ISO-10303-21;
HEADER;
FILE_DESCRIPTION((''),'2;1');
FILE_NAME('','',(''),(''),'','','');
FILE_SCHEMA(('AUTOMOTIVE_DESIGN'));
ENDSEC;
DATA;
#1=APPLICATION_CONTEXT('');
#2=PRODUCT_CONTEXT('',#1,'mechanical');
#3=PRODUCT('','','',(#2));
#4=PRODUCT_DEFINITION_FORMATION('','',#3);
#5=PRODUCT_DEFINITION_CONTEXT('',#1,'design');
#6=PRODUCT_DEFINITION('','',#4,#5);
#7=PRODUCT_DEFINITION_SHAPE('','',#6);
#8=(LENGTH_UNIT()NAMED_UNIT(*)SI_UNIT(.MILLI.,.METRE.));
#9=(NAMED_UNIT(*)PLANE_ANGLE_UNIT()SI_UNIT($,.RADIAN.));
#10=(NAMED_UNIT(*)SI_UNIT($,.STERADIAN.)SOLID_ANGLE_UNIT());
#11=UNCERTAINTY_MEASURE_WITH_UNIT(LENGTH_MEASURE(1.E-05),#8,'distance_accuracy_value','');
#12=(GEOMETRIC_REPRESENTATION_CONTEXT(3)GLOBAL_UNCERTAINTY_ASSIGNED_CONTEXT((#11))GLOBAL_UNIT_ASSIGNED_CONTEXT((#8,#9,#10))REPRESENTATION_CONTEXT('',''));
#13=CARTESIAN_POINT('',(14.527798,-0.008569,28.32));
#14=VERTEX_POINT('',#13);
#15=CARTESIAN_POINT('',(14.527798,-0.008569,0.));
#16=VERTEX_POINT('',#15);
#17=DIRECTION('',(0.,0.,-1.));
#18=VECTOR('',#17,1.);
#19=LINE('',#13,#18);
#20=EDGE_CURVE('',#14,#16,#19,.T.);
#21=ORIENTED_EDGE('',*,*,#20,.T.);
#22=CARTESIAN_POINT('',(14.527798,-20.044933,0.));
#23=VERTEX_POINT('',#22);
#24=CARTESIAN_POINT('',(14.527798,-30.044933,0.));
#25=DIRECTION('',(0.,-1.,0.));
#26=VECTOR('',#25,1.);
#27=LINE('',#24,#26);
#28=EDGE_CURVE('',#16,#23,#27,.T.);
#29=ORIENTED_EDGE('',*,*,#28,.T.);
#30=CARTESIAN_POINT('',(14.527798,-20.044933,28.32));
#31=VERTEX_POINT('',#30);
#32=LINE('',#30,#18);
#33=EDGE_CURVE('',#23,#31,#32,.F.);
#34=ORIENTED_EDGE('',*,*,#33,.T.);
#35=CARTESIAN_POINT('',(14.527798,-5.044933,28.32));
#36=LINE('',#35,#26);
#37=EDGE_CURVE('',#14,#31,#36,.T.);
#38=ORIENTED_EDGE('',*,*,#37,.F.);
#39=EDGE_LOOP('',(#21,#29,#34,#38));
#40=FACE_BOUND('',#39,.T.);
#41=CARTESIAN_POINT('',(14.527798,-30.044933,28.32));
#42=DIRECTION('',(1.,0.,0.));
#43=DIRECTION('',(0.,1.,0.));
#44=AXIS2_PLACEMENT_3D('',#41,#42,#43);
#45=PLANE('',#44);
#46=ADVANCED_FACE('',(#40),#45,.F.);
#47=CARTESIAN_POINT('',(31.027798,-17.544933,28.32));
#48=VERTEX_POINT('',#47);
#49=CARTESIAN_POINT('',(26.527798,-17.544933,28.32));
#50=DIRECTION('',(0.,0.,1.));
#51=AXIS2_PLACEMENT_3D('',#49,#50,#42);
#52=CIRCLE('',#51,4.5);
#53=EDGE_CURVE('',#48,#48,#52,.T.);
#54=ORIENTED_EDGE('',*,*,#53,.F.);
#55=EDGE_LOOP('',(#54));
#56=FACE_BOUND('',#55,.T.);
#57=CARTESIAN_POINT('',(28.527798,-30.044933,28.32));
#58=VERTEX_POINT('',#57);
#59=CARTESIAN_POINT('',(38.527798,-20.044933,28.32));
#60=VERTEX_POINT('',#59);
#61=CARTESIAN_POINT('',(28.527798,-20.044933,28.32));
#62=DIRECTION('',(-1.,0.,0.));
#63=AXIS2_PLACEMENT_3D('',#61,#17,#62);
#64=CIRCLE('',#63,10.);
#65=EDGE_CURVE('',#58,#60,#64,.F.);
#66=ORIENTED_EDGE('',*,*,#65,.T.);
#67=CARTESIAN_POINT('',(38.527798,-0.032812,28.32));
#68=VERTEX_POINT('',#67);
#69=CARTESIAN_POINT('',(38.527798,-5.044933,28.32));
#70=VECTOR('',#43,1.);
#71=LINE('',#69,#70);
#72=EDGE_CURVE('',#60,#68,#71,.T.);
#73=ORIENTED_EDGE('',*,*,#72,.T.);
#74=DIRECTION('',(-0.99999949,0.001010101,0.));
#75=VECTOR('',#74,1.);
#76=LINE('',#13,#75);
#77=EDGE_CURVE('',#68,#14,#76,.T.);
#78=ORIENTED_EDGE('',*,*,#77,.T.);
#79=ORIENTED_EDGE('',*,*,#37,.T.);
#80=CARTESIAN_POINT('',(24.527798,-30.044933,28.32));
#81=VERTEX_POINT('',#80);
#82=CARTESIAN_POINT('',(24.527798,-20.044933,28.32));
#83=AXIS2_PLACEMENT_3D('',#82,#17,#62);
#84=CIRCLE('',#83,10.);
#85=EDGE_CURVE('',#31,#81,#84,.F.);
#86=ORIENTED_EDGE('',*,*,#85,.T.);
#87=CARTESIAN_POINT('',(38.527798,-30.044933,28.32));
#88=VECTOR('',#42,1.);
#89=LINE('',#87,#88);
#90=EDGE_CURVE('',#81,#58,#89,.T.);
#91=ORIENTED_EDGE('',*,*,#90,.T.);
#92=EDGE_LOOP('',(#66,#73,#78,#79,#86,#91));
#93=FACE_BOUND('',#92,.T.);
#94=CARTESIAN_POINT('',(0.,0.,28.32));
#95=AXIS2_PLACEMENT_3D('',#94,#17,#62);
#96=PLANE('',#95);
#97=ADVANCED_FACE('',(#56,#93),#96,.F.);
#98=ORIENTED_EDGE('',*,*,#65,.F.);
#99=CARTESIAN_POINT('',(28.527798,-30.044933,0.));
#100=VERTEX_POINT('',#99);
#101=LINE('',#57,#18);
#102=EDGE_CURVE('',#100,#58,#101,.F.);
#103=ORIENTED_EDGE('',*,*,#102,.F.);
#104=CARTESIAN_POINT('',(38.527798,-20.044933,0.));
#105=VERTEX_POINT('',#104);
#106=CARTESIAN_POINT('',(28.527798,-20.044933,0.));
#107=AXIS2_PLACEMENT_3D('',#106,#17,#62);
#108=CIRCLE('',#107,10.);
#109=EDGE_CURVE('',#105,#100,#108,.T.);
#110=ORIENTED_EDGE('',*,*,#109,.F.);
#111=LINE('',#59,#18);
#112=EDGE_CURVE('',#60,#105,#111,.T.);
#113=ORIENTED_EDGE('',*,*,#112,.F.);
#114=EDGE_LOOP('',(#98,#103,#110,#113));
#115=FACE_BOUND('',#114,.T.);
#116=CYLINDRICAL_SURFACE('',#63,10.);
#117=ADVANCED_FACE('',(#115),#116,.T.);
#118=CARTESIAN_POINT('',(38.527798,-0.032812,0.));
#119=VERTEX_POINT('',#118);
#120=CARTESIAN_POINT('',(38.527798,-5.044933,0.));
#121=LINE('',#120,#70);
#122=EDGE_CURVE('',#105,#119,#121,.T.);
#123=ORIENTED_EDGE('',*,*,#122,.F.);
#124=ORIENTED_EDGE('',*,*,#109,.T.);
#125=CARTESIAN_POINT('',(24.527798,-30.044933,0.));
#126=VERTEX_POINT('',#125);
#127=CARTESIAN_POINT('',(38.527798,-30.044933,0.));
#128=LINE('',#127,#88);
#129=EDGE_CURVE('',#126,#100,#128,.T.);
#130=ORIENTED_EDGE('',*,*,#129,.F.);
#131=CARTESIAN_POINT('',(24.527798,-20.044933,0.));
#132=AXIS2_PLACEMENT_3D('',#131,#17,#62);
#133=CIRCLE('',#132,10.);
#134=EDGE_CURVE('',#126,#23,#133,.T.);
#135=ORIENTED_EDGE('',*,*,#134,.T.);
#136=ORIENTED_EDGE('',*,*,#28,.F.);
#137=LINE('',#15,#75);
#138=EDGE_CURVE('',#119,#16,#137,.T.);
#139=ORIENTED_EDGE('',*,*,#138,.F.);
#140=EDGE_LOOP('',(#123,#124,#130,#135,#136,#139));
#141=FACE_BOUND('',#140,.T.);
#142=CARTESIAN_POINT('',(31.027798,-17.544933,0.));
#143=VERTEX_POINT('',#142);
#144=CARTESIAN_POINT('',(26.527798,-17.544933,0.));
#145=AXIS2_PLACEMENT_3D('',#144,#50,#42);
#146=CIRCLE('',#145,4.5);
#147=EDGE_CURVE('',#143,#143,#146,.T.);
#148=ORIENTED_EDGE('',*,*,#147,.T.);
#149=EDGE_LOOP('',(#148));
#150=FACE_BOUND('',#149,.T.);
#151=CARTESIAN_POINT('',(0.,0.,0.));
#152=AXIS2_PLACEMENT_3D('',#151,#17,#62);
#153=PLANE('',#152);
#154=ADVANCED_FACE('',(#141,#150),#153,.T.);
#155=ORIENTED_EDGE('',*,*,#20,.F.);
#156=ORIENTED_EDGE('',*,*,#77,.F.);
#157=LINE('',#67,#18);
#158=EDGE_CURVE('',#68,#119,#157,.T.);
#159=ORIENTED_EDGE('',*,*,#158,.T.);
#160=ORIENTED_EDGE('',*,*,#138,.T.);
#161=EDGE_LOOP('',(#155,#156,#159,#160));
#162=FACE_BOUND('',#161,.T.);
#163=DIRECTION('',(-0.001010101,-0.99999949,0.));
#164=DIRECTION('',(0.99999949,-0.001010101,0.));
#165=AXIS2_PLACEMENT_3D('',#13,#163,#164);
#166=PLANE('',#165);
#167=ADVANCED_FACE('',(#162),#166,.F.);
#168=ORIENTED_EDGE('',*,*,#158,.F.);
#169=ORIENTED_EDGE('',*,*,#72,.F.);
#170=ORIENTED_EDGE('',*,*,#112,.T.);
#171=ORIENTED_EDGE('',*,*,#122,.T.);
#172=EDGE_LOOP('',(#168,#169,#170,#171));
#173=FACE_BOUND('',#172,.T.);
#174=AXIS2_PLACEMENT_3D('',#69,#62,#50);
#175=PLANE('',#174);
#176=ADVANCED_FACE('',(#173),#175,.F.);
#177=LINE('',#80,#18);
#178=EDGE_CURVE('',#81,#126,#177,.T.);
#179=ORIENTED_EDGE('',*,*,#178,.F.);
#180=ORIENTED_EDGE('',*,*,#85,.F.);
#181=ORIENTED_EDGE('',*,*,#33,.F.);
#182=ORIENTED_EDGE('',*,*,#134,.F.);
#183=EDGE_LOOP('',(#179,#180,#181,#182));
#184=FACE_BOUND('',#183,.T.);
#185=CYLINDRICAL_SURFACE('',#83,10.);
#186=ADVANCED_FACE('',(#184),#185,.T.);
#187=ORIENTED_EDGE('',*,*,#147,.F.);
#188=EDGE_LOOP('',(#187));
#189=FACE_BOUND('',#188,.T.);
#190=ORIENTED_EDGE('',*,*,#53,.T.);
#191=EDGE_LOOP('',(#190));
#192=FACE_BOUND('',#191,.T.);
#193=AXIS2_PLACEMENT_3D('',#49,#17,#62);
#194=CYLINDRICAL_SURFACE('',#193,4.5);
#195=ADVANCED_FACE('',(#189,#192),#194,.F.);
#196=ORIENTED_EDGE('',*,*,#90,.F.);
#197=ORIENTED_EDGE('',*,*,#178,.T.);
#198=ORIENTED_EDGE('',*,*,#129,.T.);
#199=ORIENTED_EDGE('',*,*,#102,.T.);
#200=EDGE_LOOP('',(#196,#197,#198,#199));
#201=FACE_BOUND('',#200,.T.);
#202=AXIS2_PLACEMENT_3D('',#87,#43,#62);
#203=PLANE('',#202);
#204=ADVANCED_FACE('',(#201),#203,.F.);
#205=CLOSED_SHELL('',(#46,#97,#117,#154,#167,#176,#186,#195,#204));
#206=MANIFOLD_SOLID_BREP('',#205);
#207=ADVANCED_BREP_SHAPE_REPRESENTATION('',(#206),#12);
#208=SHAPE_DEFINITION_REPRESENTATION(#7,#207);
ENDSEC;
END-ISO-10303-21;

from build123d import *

# Parameters (mm, degrees)
CROQUIS1_R              = 4.5
SALIENTE_EXTRUIR1_DEPTH = 28.32
REDONDEO1_R             = 10


with BuildPart() as part:
    # Croquis1 → Saliente-Extruir1 (new body)
    with BuildSketch(Plane.XY):
        Polygon((14.527798388, -0.008569378), (38.527798388, -0.032811814), (38.527798388, -5.044933007), (38.527798388, -30.044933007), (14.527798388, -30.044933007), (14.527798388, -5.044933007), align=None)
        with Locations((26.527798388, -17.544933007)):
            Circle(CROQUIS1_R, mode=Mode.SUBTRACT)
    extrude(amount=SALIENTE_EXTRUIR1_DEPTH)

    # Redondeo1
    redondeo1_edges = [part.edges().sort_by_distance(p)[0] for p in [
        (14.527798388, -30.044933007, 14.16),
        (38.527798388, -30.044933007, 14.16),
    ]]
    fillet(redondeo1_edges, radius=REDONDEO1_R)


solid = part.part
